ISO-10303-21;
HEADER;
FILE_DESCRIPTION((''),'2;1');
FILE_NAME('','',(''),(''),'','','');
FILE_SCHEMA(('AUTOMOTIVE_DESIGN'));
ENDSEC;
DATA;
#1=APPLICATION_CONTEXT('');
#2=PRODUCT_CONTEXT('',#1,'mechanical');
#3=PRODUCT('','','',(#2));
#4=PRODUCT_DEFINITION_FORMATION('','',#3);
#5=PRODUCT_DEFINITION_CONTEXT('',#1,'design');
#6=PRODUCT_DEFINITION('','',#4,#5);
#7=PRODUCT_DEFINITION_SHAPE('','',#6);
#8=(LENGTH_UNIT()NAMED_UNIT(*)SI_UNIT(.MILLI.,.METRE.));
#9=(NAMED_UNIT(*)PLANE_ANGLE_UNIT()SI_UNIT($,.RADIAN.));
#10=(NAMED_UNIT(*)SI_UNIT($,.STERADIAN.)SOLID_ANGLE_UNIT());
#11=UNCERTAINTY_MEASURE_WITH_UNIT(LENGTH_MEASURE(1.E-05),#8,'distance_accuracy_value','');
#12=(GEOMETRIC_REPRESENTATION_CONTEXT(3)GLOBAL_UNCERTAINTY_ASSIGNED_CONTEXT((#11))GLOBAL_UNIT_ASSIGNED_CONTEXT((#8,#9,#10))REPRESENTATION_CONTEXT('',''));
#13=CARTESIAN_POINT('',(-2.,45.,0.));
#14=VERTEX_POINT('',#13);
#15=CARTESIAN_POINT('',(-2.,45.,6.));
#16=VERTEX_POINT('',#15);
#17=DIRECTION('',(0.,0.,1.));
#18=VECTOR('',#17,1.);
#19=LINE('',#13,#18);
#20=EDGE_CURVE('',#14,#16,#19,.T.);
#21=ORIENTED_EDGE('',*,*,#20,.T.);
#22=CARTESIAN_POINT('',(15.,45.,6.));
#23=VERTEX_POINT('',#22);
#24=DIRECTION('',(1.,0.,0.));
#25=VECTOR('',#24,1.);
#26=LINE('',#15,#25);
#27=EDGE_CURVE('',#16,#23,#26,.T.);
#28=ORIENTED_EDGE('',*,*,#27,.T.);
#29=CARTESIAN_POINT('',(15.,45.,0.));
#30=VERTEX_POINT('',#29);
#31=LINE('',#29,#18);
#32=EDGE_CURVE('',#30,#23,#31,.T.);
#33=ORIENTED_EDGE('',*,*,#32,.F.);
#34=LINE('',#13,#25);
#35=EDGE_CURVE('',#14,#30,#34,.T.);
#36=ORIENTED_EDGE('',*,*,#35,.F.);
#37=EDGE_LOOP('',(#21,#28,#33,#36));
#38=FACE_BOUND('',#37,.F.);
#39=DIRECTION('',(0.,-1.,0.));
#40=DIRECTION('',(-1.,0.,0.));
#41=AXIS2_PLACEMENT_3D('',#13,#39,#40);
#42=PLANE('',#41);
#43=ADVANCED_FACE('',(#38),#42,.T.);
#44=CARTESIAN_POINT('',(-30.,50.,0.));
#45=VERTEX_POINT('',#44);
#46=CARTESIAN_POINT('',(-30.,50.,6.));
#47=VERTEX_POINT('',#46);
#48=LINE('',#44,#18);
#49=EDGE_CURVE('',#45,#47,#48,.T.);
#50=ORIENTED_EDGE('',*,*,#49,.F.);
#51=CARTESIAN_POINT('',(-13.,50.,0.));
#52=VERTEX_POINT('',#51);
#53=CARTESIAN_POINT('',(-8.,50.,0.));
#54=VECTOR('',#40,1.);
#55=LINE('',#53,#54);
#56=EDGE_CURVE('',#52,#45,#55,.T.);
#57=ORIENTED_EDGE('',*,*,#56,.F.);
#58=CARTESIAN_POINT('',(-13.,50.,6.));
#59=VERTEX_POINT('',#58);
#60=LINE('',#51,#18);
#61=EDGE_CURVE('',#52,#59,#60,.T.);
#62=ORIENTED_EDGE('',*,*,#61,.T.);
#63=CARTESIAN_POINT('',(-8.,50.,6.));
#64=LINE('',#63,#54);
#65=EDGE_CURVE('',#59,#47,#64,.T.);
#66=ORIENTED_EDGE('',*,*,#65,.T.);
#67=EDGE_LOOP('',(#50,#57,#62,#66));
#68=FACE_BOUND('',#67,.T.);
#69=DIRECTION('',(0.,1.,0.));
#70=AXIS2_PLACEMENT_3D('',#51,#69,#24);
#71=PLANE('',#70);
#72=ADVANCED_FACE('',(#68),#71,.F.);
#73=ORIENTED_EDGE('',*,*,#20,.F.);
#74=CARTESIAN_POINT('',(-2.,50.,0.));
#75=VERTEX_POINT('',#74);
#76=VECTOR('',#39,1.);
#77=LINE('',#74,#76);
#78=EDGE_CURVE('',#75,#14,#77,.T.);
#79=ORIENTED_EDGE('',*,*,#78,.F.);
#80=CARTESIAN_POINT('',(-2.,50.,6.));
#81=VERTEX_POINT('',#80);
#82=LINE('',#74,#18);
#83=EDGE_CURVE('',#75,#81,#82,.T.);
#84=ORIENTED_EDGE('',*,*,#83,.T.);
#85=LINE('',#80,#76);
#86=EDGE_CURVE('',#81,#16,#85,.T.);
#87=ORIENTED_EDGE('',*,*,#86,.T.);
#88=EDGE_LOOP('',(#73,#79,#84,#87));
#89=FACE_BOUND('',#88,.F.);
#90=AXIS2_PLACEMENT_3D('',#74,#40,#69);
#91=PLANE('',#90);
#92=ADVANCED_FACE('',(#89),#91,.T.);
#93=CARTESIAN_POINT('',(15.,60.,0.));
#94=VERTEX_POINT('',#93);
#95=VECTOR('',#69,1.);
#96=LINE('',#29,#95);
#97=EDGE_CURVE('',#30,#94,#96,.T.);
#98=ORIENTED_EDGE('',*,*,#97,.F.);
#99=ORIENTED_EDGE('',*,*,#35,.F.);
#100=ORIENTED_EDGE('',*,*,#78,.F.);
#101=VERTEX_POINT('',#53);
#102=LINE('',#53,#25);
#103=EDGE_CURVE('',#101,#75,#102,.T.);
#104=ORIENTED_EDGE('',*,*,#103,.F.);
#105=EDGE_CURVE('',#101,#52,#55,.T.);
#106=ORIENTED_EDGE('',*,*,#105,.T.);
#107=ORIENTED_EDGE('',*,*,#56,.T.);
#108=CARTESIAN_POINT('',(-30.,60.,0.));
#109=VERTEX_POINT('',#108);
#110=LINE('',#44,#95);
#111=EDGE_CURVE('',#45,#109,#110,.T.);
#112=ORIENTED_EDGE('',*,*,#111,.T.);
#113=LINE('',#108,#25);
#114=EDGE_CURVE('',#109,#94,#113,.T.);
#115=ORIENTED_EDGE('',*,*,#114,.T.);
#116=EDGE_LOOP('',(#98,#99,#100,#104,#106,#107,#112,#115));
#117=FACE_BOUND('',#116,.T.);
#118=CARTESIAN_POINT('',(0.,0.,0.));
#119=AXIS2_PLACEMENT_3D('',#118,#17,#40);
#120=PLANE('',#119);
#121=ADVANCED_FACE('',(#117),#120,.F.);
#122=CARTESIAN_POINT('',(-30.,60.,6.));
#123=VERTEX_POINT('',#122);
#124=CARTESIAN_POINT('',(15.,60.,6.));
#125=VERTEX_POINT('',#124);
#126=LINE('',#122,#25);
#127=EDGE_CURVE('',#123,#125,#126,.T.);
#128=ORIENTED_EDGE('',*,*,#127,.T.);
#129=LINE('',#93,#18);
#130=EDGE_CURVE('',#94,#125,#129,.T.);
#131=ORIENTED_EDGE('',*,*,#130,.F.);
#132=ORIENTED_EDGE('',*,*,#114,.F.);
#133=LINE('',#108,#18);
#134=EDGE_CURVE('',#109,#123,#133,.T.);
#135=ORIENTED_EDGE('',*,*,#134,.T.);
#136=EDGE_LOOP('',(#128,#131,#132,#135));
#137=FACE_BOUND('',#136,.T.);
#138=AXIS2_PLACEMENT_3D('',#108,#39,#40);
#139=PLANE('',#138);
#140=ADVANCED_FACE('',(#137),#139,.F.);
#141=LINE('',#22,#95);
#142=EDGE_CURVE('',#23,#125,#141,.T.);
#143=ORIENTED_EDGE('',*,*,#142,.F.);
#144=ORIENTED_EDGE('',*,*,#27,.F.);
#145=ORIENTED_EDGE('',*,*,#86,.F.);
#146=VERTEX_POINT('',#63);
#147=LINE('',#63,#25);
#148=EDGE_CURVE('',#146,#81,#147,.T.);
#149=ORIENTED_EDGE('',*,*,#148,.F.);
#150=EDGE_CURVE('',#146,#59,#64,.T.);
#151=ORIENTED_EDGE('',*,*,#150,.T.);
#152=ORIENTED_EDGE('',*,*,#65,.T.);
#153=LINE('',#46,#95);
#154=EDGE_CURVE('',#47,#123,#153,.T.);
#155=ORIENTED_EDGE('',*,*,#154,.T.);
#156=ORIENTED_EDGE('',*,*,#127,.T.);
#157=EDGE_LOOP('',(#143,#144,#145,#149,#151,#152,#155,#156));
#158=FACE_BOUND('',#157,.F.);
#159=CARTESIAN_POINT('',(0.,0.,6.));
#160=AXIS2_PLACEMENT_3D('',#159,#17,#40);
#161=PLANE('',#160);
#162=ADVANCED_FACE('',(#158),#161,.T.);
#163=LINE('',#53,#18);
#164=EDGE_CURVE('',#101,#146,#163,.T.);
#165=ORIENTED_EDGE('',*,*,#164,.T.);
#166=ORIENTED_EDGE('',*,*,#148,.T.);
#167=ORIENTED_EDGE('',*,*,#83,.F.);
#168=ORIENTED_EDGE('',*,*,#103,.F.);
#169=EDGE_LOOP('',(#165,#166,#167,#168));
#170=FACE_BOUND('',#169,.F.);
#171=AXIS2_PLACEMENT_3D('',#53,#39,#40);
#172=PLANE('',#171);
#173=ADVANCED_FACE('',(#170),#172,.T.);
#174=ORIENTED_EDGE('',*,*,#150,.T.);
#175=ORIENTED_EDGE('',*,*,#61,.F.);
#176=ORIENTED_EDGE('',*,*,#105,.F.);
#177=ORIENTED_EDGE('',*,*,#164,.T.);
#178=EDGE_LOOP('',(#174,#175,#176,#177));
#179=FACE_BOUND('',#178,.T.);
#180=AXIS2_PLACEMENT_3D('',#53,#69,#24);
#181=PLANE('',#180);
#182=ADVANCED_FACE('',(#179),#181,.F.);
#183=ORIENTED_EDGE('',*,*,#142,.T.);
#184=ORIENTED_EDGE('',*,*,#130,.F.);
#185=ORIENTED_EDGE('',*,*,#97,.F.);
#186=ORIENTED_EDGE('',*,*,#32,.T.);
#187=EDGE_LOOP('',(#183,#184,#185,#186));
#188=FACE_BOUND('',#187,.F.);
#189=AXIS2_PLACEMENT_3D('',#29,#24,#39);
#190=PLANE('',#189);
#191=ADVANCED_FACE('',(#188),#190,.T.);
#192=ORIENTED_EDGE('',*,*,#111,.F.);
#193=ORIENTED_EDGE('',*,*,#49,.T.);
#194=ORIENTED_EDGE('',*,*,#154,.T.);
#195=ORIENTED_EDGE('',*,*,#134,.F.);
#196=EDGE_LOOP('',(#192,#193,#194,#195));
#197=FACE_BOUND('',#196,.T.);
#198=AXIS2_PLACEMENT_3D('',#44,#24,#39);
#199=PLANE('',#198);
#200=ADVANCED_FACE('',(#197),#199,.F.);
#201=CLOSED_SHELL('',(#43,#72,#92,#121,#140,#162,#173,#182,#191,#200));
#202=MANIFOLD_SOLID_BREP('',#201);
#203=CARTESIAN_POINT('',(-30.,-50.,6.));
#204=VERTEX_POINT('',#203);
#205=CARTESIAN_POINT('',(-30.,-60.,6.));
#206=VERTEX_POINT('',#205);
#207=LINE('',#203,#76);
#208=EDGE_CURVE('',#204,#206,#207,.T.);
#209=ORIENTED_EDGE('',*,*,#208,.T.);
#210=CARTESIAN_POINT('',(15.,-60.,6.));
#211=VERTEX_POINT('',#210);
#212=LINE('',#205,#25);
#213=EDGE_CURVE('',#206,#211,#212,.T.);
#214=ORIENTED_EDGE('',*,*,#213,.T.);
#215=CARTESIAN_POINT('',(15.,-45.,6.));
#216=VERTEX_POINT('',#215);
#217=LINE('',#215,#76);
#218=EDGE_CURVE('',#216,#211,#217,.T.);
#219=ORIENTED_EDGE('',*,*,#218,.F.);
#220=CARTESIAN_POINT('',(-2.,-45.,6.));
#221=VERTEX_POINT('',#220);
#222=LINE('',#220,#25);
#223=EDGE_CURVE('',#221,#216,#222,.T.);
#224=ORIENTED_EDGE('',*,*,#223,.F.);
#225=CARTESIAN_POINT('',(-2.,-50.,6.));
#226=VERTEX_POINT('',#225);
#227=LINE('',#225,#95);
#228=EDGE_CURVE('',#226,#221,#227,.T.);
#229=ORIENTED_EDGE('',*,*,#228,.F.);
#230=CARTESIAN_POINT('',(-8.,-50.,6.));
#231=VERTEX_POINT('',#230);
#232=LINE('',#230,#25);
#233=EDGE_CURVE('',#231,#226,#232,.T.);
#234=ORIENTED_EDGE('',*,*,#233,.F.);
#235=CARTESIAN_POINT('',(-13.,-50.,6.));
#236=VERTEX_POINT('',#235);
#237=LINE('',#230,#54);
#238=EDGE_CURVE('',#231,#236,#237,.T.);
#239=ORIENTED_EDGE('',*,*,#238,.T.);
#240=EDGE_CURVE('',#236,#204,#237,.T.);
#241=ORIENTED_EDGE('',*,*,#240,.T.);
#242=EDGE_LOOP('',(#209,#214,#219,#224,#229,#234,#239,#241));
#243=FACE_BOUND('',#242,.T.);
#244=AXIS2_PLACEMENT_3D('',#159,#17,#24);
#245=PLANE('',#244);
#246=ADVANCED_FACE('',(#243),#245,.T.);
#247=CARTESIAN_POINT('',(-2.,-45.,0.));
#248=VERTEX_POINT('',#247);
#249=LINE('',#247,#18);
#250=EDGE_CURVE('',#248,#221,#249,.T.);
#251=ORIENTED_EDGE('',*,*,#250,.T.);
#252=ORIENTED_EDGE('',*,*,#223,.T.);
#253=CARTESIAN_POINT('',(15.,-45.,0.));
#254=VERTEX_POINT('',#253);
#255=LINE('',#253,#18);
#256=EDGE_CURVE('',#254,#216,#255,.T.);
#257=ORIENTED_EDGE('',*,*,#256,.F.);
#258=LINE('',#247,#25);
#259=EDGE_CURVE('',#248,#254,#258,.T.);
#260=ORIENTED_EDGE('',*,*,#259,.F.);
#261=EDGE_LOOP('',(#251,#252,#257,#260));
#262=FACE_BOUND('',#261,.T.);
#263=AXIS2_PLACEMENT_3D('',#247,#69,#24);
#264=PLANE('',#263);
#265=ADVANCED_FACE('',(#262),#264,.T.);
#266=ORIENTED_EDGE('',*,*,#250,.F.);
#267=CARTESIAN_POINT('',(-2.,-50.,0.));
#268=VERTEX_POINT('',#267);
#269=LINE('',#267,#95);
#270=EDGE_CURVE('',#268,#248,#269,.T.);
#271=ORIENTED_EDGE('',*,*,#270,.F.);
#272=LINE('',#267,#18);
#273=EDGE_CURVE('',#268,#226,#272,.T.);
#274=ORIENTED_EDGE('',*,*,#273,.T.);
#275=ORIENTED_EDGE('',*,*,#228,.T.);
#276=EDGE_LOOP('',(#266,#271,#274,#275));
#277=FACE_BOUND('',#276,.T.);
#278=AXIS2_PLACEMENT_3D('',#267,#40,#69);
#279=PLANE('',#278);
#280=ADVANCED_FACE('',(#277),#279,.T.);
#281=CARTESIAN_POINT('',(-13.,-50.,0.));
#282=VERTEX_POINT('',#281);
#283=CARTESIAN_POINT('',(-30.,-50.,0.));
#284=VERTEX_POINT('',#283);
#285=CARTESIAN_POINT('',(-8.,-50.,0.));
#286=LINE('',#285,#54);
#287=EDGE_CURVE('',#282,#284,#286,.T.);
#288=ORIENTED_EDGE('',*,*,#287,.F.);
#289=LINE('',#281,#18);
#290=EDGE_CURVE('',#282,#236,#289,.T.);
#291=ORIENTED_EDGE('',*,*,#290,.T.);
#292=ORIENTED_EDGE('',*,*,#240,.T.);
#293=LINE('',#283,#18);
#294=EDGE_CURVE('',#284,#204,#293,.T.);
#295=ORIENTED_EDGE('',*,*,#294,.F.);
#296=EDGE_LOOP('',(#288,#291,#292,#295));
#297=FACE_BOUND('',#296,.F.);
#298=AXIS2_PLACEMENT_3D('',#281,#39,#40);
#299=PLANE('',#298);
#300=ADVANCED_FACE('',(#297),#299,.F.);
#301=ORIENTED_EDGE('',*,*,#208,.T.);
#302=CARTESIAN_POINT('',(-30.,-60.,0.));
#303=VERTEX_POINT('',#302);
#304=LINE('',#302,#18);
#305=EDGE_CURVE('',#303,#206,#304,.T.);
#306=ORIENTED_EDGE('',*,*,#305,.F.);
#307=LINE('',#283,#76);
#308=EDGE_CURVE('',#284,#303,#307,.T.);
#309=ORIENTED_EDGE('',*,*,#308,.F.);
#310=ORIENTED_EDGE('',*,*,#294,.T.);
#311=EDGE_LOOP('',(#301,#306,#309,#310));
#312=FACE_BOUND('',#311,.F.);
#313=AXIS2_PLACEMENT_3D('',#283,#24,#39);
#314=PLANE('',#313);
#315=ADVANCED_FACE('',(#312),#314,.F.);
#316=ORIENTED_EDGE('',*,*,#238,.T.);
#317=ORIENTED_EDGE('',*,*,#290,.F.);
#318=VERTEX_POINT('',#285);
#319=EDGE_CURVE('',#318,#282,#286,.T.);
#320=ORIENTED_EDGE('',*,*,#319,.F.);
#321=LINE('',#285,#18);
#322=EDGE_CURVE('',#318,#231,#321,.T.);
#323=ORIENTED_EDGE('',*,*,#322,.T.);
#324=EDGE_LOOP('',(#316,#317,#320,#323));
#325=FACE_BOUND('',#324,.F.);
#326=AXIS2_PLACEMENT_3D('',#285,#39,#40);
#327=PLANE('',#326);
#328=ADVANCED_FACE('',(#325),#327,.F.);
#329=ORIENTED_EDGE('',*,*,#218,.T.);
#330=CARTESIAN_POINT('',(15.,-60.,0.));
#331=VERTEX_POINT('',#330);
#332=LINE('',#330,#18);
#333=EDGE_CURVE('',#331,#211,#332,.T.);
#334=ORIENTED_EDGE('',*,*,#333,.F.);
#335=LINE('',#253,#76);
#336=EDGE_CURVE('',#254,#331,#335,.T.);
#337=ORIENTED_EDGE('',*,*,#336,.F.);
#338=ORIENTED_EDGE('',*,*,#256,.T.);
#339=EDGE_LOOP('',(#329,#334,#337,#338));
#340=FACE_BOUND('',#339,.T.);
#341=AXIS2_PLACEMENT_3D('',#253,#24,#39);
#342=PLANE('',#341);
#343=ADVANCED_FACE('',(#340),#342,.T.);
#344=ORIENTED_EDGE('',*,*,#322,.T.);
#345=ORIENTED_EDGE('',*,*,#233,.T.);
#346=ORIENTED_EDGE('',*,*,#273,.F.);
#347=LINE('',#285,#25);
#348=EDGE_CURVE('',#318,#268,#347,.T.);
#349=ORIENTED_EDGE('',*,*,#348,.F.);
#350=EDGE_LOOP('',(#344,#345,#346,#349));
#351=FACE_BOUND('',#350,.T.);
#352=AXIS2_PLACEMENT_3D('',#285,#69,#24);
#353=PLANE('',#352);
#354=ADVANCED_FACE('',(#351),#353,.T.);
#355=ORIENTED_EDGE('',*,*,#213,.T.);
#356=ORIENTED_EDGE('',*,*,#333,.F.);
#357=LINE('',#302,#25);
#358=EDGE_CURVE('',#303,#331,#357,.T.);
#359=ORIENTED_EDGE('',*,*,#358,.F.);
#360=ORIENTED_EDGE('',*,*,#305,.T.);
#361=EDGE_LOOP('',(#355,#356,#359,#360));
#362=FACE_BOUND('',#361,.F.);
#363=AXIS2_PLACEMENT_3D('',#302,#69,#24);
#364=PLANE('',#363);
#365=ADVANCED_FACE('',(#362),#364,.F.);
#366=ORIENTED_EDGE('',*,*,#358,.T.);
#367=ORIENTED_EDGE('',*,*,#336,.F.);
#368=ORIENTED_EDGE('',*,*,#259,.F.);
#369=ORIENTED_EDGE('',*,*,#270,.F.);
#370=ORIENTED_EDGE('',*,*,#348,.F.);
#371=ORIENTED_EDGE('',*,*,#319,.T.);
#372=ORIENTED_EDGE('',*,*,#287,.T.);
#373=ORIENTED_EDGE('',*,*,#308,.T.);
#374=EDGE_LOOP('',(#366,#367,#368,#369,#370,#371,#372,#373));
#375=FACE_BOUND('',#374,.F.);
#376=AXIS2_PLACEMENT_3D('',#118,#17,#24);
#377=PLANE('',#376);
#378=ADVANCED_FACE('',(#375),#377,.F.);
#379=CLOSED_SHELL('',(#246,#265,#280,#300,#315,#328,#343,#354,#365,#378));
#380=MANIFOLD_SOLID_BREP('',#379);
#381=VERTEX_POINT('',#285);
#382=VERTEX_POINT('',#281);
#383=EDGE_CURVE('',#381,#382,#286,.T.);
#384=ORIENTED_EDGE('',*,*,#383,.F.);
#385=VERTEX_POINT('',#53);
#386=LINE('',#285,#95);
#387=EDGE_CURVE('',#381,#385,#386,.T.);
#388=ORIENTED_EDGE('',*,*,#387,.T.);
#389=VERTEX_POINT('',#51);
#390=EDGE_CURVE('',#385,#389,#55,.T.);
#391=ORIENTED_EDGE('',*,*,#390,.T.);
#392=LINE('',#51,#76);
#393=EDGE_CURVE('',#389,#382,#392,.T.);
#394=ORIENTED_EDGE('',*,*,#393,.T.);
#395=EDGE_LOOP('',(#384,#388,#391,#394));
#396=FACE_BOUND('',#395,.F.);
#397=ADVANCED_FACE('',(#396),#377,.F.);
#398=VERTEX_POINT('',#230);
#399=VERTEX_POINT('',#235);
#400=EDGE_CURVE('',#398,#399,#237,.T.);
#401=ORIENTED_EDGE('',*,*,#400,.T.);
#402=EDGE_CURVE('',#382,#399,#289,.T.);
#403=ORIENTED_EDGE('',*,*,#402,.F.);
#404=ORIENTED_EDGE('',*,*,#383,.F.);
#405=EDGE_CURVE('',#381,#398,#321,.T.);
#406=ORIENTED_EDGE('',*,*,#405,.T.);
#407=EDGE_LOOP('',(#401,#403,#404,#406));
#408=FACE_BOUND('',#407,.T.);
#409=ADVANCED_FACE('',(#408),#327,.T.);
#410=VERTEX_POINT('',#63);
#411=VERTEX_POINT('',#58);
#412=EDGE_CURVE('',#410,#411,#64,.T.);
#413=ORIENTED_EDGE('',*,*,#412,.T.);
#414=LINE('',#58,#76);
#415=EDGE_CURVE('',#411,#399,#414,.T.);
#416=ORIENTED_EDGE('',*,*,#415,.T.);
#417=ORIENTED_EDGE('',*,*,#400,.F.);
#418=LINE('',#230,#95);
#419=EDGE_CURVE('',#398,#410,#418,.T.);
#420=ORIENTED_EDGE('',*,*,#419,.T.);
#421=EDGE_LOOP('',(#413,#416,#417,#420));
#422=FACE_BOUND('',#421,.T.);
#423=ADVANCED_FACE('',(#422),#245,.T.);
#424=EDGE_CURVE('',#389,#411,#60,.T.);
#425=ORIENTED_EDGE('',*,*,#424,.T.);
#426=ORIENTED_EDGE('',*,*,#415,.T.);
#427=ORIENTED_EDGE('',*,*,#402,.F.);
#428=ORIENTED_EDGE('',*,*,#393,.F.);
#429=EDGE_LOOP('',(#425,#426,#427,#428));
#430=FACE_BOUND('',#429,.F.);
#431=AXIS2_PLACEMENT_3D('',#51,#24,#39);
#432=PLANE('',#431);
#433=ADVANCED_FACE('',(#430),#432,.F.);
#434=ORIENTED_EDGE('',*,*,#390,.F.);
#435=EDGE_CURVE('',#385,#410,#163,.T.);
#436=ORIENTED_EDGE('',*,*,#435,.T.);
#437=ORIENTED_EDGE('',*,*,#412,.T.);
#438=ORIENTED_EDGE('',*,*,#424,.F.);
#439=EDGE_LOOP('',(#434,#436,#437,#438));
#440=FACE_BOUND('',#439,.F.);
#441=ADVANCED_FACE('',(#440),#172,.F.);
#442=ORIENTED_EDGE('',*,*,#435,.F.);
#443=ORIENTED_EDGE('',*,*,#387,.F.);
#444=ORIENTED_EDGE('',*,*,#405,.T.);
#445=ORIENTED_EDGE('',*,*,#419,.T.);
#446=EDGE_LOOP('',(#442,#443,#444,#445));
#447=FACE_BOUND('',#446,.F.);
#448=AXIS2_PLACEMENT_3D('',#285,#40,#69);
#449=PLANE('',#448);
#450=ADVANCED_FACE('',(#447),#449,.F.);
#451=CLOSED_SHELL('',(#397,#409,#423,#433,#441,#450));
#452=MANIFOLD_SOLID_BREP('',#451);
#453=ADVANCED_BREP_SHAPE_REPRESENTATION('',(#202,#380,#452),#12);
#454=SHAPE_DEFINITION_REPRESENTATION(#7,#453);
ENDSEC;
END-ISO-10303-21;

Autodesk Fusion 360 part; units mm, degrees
sketch "Sketch1" plane through (0, 0, 0) normal (0, 0, 1) x (1, 0, 0)
  line L0 (-30, 50) -> (-8, 50) construction
  line L1 (-8, 50) -> (-8, 60) construction
  line L2 (-8, 50) -> (-8, -60) construction
  line L3 (-8, -60) -> (-8, -50) construction
  line L4 (-8, -50) -> (-2, -50)
  line L5 (-2, -50) -> (-2, -45)
  line L6 (-2, -45) -> (15, -45)
  line L7 (15, -45) -> (15, -60)
  line L8 (-8, -50) -> (-30, -50)
  line L9 (-30, -50) -> (-30, -60)
  line L10 (-30, -60) -> (15, -60)
  line L11 (-8, 50) -> (-13, 50)
  line L12 (-13, 50) -> (-13, -50)
  line L13 (-13, -50) -> (-8, -50)
  line L14 (-8, -50) -> (-8, 50)
  dimension "d3" = 22
  dimension "d4" = 17
  dimension "d10" = 5
extrude "Extrude1" add sketch "Sketch1" along normal blind 6 contours L4 L5 L6 L7 L8 L9 L10 L13 makes body 1
ref_plane "WorkPlane1" through (0, 0, 0) normal (0, 1, 0) x (0, 0, 1)
mirror "Mirror1" about plane through (0, 0, 0) normal (0, 1, 0) of bodies 1 makes body 2
extrude "Extrude2" add sketch "Sketch1" along normal blind 6 separate body contours L8 L11 L12 L13 L14 makes body 3
